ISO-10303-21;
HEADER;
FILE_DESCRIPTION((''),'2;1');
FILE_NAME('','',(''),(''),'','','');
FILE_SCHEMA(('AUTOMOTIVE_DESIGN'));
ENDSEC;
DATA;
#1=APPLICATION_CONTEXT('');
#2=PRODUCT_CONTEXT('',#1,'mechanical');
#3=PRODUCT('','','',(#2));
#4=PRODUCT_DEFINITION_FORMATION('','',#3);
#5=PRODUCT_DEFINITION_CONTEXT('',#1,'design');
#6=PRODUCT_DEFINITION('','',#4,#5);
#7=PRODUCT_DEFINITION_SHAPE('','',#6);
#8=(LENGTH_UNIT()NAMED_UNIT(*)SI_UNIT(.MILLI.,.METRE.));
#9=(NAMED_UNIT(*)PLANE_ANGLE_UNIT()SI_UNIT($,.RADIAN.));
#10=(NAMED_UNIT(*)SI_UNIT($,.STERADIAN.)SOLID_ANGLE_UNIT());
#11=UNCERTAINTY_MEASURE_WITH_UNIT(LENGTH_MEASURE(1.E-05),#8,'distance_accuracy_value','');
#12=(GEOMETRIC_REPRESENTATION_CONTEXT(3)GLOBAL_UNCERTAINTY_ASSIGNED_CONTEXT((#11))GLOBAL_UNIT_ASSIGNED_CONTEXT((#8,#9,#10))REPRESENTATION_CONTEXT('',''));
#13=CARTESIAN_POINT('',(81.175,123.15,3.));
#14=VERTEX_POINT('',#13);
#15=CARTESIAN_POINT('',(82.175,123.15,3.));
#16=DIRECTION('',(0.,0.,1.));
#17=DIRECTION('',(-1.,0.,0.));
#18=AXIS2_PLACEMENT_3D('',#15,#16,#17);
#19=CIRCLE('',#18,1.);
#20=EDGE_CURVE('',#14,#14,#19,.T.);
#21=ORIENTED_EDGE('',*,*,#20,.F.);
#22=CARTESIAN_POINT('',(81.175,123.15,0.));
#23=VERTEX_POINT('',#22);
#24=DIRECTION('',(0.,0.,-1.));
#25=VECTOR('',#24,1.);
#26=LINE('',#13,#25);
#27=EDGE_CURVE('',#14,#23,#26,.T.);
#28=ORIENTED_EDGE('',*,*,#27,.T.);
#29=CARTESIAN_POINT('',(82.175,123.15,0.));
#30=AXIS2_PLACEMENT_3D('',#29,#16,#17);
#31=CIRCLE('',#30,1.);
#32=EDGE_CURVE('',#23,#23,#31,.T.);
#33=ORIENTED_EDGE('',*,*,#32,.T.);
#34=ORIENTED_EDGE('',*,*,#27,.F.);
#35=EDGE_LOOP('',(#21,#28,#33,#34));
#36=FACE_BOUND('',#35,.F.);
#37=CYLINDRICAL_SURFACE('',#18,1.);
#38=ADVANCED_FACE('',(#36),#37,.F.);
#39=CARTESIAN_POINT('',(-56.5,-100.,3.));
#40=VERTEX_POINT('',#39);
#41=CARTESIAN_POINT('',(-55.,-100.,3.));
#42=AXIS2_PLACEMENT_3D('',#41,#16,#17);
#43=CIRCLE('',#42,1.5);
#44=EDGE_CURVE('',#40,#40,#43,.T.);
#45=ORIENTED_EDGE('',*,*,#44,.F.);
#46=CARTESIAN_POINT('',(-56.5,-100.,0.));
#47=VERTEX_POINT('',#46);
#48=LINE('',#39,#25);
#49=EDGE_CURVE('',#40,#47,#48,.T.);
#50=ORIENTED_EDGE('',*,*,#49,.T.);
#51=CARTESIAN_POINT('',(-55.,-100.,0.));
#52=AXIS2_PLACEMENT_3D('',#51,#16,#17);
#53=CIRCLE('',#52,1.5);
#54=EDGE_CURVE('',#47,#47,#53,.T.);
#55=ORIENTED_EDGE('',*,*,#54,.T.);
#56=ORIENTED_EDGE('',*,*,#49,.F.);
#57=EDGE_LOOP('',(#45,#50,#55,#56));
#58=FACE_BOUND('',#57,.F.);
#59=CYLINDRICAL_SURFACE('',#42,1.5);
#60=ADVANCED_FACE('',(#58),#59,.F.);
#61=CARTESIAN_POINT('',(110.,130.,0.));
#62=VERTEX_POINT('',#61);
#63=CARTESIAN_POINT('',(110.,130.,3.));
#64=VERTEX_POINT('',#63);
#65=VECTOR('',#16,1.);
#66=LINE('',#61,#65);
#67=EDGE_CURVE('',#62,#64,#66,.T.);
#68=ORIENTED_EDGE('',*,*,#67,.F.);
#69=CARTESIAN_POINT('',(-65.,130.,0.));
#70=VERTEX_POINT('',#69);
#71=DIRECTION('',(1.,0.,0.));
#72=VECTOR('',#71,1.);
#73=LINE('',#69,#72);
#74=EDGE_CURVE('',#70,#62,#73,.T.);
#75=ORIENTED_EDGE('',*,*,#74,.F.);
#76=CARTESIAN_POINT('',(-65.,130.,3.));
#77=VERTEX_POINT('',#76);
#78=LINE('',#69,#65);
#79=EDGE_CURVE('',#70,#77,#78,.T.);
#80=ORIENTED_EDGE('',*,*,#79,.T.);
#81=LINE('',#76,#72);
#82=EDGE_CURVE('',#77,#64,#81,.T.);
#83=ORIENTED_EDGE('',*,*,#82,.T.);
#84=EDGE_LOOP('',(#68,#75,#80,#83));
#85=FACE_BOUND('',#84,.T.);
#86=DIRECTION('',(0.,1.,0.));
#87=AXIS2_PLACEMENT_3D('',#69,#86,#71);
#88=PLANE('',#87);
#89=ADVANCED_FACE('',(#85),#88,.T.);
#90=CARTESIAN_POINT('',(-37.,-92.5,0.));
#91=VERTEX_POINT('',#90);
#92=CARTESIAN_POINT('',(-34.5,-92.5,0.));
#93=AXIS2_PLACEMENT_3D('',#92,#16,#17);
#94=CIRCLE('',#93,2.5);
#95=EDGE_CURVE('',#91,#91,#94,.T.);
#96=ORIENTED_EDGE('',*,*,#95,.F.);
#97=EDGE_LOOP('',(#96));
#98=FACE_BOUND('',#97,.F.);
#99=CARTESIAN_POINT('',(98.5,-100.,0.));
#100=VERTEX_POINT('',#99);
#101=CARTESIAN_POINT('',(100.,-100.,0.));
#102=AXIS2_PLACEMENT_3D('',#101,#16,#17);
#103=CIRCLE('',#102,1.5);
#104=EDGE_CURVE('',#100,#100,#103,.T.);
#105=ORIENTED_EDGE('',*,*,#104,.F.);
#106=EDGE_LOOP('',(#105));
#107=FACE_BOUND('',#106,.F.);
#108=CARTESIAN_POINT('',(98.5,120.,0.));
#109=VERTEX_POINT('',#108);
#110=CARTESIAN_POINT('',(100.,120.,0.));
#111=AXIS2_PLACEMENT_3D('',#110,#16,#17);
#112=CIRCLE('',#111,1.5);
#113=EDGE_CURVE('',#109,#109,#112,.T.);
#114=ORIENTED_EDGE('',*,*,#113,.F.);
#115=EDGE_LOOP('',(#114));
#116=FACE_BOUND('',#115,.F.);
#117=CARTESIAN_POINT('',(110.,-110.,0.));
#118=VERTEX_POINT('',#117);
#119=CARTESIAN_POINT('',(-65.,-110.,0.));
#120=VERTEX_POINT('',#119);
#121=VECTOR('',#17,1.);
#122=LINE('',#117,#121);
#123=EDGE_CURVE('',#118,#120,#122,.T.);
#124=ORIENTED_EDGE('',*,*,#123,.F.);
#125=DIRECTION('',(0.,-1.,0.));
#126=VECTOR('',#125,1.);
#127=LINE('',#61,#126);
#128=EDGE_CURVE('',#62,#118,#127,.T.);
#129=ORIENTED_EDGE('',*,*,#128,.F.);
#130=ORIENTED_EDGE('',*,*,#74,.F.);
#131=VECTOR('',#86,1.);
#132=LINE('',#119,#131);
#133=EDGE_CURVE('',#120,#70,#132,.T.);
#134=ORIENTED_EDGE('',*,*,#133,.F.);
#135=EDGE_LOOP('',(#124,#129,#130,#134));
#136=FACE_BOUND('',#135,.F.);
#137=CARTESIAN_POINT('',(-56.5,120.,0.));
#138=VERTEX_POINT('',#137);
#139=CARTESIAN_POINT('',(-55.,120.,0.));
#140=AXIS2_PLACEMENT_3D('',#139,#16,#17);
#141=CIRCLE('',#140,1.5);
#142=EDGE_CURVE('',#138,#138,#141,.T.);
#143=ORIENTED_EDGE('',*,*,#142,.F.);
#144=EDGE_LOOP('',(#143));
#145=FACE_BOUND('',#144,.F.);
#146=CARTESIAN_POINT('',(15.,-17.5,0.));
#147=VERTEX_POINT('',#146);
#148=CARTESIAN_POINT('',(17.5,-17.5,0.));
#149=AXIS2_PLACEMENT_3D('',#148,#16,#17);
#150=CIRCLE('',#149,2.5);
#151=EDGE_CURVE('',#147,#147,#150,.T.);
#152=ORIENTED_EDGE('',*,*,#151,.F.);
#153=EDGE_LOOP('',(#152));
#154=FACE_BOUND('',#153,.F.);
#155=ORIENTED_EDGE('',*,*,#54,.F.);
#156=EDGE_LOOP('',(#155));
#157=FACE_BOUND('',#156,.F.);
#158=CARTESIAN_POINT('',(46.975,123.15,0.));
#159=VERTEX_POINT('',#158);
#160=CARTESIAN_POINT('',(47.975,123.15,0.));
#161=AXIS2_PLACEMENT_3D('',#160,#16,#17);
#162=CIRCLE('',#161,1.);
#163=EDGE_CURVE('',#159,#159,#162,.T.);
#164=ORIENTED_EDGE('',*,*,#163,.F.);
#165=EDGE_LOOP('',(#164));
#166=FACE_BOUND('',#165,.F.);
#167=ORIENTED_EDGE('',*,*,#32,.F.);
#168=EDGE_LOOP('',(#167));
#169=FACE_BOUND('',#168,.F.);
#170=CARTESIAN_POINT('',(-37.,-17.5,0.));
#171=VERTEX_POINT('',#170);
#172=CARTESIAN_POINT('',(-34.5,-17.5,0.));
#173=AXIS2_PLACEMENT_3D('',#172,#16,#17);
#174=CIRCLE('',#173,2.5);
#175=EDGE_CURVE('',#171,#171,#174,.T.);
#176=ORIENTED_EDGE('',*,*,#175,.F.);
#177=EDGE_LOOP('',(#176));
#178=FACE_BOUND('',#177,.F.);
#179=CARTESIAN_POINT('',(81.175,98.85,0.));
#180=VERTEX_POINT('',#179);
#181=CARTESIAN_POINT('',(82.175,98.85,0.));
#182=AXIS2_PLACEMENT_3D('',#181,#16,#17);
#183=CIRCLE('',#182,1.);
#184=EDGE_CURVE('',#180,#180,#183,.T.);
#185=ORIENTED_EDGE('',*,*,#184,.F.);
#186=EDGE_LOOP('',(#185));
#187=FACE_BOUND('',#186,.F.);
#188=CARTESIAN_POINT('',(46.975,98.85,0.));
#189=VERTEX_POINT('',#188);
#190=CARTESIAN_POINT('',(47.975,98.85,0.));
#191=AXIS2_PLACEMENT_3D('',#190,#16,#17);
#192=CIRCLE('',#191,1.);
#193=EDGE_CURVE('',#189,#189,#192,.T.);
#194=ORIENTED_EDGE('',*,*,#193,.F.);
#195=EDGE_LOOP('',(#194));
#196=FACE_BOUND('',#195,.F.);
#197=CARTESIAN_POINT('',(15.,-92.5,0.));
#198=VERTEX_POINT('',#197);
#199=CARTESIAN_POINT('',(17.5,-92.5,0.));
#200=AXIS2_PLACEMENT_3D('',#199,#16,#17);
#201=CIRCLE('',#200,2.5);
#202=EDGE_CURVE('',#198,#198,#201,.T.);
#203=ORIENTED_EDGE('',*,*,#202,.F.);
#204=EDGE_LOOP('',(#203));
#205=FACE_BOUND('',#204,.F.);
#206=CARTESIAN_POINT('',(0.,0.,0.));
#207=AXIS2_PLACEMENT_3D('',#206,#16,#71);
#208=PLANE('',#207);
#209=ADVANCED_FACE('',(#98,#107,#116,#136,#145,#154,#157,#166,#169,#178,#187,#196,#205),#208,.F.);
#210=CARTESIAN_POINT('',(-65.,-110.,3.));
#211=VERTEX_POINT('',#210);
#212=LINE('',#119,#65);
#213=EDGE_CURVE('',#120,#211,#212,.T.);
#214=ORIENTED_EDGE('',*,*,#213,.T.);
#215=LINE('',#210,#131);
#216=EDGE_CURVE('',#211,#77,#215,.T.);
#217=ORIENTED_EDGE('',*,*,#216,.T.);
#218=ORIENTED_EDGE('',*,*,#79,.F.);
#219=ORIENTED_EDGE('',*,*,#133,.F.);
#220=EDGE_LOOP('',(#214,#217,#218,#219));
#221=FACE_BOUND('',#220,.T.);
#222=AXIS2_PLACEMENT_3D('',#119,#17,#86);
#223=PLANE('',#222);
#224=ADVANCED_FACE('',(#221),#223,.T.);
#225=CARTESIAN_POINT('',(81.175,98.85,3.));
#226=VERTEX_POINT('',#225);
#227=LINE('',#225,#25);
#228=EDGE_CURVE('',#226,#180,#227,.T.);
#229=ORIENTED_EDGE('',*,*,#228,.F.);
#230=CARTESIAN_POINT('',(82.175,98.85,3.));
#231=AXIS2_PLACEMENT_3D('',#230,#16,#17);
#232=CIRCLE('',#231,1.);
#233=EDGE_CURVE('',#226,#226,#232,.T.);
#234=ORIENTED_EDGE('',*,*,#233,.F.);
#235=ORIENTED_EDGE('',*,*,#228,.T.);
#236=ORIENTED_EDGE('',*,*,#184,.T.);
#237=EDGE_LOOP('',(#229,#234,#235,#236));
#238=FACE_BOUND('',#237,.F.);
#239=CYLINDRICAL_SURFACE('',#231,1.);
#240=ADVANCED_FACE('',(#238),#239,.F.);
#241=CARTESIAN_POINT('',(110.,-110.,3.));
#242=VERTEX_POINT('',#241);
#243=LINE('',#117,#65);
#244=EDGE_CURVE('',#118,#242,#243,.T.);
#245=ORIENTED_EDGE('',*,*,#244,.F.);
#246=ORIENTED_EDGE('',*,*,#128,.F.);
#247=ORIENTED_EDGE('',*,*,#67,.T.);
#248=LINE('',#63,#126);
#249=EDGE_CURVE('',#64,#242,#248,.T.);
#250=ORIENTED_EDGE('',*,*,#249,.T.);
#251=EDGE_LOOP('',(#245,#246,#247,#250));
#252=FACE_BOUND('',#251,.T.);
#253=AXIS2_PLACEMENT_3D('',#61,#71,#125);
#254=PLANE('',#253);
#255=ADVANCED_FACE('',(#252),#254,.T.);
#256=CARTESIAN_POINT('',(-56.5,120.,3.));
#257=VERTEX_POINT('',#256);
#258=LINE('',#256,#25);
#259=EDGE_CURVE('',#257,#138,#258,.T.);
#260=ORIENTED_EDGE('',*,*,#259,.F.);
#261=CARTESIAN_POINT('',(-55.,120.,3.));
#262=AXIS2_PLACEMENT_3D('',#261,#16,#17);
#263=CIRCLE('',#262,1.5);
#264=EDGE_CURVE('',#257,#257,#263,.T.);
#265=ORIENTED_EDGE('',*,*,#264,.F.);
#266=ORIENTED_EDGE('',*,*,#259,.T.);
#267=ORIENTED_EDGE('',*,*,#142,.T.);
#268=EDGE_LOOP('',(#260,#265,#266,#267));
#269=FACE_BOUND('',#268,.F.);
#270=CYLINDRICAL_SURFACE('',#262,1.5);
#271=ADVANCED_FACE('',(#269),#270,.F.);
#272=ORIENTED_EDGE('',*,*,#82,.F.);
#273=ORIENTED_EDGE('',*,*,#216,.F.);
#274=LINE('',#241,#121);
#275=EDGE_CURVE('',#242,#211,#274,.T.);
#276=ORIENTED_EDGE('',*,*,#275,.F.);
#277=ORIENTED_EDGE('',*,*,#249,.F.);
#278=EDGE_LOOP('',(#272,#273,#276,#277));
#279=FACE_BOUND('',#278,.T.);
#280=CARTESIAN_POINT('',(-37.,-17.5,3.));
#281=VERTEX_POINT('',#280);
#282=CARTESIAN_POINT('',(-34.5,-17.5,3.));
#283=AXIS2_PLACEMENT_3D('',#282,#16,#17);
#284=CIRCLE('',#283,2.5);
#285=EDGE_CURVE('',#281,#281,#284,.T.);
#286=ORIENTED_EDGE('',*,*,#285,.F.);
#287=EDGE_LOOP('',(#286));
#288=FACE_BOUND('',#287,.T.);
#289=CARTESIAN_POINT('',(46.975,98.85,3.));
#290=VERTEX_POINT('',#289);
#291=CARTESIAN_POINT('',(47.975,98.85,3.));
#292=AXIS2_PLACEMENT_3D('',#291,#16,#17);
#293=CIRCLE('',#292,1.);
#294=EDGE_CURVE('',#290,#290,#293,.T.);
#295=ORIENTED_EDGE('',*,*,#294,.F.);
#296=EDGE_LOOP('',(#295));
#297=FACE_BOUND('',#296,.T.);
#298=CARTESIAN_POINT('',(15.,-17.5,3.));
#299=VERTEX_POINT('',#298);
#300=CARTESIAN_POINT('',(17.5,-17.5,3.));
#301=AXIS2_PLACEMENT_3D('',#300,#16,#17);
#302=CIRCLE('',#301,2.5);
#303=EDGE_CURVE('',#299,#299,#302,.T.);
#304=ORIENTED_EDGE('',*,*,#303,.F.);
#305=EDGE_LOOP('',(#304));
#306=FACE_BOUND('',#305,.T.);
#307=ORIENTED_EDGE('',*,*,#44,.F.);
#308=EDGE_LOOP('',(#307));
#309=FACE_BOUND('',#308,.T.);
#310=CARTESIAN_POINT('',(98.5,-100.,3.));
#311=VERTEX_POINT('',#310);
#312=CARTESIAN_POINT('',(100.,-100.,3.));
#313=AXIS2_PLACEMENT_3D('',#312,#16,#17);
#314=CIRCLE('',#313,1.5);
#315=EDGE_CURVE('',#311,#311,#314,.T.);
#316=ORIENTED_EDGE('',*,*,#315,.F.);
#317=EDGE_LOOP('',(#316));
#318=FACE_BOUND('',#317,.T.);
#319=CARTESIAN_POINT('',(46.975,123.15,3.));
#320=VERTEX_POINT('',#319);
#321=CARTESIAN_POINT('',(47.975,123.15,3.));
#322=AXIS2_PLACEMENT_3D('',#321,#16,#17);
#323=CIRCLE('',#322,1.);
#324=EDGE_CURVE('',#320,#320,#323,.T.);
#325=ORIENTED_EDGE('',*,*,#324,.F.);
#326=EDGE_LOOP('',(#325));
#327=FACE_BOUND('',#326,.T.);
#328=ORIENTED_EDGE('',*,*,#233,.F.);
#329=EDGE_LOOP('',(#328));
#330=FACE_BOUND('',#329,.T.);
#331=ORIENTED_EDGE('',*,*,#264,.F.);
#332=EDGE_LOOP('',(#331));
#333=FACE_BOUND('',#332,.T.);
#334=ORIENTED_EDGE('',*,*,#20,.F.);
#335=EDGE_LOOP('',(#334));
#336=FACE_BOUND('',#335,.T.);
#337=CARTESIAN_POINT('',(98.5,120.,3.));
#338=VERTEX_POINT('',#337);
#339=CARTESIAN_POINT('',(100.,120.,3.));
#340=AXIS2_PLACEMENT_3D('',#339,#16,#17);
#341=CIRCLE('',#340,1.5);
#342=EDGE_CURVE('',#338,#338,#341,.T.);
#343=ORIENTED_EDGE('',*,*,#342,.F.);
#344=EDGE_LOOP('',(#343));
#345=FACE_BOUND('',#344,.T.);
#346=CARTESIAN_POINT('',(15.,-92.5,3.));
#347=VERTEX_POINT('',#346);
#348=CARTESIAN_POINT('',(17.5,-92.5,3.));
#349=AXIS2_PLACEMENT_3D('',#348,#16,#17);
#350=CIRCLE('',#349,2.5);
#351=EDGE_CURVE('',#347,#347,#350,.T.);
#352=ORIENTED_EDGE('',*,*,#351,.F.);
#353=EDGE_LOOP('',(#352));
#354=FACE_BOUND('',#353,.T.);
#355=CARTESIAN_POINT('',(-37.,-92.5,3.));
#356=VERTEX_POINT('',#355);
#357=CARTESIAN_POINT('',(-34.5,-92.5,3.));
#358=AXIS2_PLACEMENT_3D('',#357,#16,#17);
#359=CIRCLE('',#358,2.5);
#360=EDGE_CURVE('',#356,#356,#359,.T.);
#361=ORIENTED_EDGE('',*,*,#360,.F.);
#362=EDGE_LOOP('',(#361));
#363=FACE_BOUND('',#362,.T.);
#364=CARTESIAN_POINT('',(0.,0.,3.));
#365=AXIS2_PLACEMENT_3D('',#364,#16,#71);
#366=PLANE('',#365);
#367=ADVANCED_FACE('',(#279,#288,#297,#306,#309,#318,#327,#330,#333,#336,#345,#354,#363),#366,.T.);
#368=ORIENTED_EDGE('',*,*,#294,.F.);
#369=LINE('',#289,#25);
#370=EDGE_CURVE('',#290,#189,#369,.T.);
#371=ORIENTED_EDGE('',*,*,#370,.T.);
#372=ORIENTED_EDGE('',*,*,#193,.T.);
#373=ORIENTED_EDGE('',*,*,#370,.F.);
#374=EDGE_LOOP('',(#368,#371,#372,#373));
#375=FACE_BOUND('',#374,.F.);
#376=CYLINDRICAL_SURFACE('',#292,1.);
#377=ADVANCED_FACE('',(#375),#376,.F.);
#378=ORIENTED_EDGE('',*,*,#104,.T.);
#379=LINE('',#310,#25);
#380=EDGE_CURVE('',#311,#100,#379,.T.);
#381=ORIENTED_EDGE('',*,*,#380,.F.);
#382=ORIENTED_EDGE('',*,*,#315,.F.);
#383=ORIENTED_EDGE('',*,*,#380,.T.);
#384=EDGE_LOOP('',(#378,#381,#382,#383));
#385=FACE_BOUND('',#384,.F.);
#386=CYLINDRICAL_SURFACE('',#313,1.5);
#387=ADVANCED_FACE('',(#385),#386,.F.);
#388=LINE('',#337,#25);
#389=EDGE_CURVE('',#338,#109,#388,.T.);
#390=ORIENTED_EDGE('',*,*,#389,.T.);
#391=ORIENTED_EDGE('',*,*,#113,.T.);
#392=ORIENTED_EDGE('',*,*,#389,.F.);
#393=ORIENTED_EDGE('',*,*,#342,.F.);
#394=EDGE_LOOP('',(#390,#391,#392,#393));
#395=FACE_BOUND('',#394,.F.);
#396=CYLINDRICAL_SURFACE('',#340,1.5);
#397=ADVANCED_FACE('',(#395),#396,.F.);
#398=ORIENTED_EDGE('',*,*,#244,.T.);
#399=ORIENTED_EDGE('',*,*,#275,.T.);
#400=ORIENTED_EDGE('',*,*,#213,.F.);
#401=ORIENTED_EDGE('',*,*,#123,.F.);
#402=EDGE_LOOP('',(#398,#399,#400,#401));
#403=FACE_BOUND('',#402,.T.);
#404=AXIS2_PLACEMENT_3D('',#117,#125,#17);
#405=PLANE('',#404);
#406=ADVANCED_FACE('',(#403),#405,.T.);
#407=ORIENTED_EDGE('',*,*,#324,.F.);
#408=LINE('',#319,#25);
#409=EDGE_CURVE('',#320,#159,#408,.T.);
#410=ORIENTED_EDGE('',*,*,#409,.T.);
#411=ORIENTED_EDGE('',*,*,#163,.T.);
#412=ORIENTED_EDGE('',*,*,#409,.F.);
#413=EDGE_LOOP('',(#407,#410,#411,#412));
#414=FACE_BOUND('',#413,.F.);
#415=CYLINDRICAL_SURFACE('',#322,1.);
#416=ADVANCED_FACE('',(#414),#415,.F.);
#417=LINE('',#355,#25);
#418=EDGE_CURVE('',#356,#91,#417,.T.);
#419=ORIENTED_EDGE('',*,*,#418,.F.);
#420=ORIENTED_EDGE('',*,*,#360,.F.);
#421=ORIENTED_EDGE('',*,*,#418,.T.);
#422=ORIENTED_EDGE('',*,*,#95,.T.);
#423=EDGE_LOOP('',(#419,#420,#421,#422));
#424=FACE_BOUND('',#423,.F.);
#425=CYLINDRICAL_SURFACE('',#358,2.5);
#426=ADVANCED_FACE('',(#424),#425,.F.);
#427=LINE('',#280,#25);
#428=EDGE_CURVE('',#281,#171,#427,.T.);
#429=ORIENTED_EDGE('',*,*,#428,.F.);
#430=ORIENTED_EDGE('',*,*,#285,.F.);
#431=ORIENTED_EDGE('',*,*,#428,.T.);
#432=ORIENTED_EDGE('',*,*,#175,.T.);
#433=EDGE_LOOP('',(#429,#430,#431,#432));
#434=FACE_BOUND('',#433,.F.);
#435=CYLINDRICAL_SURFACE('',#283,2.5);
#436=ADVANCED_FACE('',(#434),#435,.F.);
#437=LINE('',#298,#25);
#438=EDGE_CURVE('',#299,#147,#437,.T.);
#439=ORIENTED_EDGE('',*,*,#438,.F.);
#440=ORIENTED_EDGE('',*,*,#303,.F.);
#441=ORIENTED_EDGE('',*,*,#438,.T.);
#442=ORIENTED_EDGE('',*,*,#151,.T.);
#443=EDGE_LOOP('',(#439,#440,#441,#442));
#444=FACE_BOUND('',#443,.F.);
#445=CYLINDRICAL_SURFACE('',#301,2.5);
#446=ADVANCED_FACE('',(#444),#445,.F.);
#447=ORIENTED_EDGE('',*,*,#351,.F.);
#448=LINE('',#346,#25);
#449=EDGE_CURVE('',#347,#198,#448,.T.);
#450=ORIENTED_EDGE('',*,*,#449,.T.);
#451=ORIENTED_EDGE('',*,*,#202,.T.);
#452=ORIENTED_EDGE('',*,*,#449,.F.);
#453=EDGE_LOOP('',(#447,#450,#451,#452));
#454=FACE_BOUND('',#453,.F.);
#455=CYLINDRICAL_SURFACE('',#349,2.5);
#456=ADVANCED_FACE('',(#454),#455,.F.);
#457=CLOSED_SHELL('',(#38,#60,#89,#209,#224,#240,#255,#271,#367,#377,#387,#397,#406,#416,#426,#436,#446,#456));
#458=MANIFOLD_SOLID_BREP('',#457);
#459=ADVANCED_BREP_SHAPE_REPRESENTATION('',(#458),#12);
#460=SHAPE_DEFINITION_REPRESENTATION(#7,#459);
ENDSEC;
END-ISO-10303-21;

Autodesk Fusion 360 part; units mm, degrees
sketch "Sketch1" plane through (0, 0, 0) normal (0, 0, 1) x (1, 0, 0)
  line L0 (-65, 130) -> (110, 130)
  line L1 (110, 130) -> (110, -110)
  line L2 (110, -110) -> (-65, -110)
  line L3 (-65, -110) -> (-65, 130)
  dimension "d1" = 175
  dimension "d2" = 240
extrude "Extrude1" add sketch "Sketch1" along normal blind 3
sketch "Sketch2" plane through (0, 0, 3) normal (0, 0, 1) x (-1, 0, 0)
  line L0 (65, 110) -> (-110, 110)
  line L1 (-110, 110) -> (-110, -130)
  line L2 (-110, -130) -> (65, -130)
  line L3 (65, -130) -> (65, 110)
  circle A0 centre (34.5, 92.5) radius 2.5
  line L4 (60, 5.0001) -> (-105, 5)
  line L5 (12.025, 12.961) -> (3.6107, 13.032) construction
  line L6 (3.6107, 13.032) -> (3.5857, 10.071) construction
  line L7 (3.5857, 10.071) -> (12, 10) construction
  line L8 (12, 10) -> (12.025, 12.961) construction
  line L9 (-105, 5) -> (-105, 105.0001)
  line L10 (-105, 105.0001) -> (60, 105.0001)
  line L11 (12, 100) -> (-4.2428, 100.0343) construction
  line L12 (-4.2428, 100.0343) -> (-4.2609, 91.4763) construction
  line L13 (-4.2609, 91.4763) -> (11.9819, 91.4419) construction
  line L14 (11.9819, 91.4419) -> (12, 100) construction
  line L15 (60, 105.0001) -> (60, 5.0001)
  circle A1 centre (-17.5, 17.5) radius 2.5
  circle A2 centre (-17.5, 92.5) radius 2.5
  circle A3 centre (34.5, 17.5) radius 2.5
  line L16 (-46.15, -125) -> (-84, -125)
  line L17 (-84, -125) -> (-84, -97)
  line L18 (-84, -97) -> (-46.15, -97)
  line L19 (-46.15, -97) -> (-46.15, -125)
  circle A4 centre (-47.975, -123.15) radius 1
  circle A5 centre (-82.175, -123.15) radius 1
  circle A6 centre (-47.975, -98.85) radius 1
  circle A7 centre (-82.175, -98.85) radius 1
  dimension "d33" = 10
  dimension "d34" = 10
  dimension "d7" = 100
  dimension "d8" = 165
  dimension "d9" = 5
  dimension "d10" = 5
  dimension "d11" = 5
  dimension "d12" = 5
  dimension "d13" = 52
  dimension "d14" = 75
  dimension "d15" = 52
  dimension "d16" = 75
  dimension "d17" = 25.5
  dimension "d18" = 25.5
  dimension "d19" = 12.5
  dimension "d20" = 87.5
  dimension "d21" = 12.5
  dimension "d22" = 5
  dimension "d23" = 48
  dimension "d24" = 5
  dimension "d25" = 48
  dimension "d26" = 12.5
  dimension "d27" = 87.5
  dimension "d28" = 5
  dimension "d29" = 5
  dimension "d76" = 37.85
  dimension "d77" = 28
  dimension "d78" = 2
  dimension "d79" = 2
  dimension "d80" = 2
  dimension "d81" = 2
  dimension "d82" = 34.2
  dimension "d83" = 24.3
  dimension "d84" = 34.2
  dimension "d85" = 24.3
  dimension "d86" = 1.825
  dimension "d87" = 1.825
  dimension "d88" = 1.825
  dimension "d89" = 1.825
  dimension "d90" = 1.85
  dimension "d91" = 1.85
  dimension "d92" = 1.85
  dimension "d93" = 1.85
  dimension "d94" = 26
  dimension "d95" = 5
extrude "Extrude2" cut sketch "Sketch2" against normal blind 3 contours A0 | A1 | A2 | A3 | A4 | A5 | A6 | A7
sketch "Sketch3" plane through (0, 0, 3) normal (0, 0, 1) x (-1, 0, 0)
  circle A0 centre (-47.975, -123.15) radius 1
  circle A1 centre (-17.5, 92.5) radius 2.5
  circle A2 centre (34.5, 17.5) radius 2.5
  circle A3 centre (-82.175, -123.15) radius 1
  circle A4 centre (-47.975, -98.85) radius 1
  circle A5 centre (34.5, 92.5) radius 2.5
  circle A6 centre (-17.5, 17.5) radius 2.5
  circle A7 centre (-82.175, -98.85) radius 1
  line L0 (65, 110) -> (-110, 110)
  line L1 (-110, 110) -> (-110, -130)
  line L2 (-110, -130) -> (65, -130)
  line L3 (65, -130) -> (65, 110)
  circle A8 centre (55, -120) radius 1.5
  circle A9 centre (-100, -120) radius 1.5
  circle A10 centre (-100, 100) radius 1.5
  circle A11 centre (55, 100) radius 1.5
  dimension "d98" = 3
  dimension "d99" = 10
  dimension "d100" = 10
  dimension "d101" = 3
  dimension "d102" = 10
  dimension "d103" = 10
  dimension "d104" = 3
  dimension "d105" = 10
  dimension "d106" = 10
  dimension "d107" = 3
  dimension "d108" = 10
  dimension "d109" = 10
extrude "Extrude3" cut sketch "Sketch3" against normal blind 3 contours A8 | A9 | A10 | A11
